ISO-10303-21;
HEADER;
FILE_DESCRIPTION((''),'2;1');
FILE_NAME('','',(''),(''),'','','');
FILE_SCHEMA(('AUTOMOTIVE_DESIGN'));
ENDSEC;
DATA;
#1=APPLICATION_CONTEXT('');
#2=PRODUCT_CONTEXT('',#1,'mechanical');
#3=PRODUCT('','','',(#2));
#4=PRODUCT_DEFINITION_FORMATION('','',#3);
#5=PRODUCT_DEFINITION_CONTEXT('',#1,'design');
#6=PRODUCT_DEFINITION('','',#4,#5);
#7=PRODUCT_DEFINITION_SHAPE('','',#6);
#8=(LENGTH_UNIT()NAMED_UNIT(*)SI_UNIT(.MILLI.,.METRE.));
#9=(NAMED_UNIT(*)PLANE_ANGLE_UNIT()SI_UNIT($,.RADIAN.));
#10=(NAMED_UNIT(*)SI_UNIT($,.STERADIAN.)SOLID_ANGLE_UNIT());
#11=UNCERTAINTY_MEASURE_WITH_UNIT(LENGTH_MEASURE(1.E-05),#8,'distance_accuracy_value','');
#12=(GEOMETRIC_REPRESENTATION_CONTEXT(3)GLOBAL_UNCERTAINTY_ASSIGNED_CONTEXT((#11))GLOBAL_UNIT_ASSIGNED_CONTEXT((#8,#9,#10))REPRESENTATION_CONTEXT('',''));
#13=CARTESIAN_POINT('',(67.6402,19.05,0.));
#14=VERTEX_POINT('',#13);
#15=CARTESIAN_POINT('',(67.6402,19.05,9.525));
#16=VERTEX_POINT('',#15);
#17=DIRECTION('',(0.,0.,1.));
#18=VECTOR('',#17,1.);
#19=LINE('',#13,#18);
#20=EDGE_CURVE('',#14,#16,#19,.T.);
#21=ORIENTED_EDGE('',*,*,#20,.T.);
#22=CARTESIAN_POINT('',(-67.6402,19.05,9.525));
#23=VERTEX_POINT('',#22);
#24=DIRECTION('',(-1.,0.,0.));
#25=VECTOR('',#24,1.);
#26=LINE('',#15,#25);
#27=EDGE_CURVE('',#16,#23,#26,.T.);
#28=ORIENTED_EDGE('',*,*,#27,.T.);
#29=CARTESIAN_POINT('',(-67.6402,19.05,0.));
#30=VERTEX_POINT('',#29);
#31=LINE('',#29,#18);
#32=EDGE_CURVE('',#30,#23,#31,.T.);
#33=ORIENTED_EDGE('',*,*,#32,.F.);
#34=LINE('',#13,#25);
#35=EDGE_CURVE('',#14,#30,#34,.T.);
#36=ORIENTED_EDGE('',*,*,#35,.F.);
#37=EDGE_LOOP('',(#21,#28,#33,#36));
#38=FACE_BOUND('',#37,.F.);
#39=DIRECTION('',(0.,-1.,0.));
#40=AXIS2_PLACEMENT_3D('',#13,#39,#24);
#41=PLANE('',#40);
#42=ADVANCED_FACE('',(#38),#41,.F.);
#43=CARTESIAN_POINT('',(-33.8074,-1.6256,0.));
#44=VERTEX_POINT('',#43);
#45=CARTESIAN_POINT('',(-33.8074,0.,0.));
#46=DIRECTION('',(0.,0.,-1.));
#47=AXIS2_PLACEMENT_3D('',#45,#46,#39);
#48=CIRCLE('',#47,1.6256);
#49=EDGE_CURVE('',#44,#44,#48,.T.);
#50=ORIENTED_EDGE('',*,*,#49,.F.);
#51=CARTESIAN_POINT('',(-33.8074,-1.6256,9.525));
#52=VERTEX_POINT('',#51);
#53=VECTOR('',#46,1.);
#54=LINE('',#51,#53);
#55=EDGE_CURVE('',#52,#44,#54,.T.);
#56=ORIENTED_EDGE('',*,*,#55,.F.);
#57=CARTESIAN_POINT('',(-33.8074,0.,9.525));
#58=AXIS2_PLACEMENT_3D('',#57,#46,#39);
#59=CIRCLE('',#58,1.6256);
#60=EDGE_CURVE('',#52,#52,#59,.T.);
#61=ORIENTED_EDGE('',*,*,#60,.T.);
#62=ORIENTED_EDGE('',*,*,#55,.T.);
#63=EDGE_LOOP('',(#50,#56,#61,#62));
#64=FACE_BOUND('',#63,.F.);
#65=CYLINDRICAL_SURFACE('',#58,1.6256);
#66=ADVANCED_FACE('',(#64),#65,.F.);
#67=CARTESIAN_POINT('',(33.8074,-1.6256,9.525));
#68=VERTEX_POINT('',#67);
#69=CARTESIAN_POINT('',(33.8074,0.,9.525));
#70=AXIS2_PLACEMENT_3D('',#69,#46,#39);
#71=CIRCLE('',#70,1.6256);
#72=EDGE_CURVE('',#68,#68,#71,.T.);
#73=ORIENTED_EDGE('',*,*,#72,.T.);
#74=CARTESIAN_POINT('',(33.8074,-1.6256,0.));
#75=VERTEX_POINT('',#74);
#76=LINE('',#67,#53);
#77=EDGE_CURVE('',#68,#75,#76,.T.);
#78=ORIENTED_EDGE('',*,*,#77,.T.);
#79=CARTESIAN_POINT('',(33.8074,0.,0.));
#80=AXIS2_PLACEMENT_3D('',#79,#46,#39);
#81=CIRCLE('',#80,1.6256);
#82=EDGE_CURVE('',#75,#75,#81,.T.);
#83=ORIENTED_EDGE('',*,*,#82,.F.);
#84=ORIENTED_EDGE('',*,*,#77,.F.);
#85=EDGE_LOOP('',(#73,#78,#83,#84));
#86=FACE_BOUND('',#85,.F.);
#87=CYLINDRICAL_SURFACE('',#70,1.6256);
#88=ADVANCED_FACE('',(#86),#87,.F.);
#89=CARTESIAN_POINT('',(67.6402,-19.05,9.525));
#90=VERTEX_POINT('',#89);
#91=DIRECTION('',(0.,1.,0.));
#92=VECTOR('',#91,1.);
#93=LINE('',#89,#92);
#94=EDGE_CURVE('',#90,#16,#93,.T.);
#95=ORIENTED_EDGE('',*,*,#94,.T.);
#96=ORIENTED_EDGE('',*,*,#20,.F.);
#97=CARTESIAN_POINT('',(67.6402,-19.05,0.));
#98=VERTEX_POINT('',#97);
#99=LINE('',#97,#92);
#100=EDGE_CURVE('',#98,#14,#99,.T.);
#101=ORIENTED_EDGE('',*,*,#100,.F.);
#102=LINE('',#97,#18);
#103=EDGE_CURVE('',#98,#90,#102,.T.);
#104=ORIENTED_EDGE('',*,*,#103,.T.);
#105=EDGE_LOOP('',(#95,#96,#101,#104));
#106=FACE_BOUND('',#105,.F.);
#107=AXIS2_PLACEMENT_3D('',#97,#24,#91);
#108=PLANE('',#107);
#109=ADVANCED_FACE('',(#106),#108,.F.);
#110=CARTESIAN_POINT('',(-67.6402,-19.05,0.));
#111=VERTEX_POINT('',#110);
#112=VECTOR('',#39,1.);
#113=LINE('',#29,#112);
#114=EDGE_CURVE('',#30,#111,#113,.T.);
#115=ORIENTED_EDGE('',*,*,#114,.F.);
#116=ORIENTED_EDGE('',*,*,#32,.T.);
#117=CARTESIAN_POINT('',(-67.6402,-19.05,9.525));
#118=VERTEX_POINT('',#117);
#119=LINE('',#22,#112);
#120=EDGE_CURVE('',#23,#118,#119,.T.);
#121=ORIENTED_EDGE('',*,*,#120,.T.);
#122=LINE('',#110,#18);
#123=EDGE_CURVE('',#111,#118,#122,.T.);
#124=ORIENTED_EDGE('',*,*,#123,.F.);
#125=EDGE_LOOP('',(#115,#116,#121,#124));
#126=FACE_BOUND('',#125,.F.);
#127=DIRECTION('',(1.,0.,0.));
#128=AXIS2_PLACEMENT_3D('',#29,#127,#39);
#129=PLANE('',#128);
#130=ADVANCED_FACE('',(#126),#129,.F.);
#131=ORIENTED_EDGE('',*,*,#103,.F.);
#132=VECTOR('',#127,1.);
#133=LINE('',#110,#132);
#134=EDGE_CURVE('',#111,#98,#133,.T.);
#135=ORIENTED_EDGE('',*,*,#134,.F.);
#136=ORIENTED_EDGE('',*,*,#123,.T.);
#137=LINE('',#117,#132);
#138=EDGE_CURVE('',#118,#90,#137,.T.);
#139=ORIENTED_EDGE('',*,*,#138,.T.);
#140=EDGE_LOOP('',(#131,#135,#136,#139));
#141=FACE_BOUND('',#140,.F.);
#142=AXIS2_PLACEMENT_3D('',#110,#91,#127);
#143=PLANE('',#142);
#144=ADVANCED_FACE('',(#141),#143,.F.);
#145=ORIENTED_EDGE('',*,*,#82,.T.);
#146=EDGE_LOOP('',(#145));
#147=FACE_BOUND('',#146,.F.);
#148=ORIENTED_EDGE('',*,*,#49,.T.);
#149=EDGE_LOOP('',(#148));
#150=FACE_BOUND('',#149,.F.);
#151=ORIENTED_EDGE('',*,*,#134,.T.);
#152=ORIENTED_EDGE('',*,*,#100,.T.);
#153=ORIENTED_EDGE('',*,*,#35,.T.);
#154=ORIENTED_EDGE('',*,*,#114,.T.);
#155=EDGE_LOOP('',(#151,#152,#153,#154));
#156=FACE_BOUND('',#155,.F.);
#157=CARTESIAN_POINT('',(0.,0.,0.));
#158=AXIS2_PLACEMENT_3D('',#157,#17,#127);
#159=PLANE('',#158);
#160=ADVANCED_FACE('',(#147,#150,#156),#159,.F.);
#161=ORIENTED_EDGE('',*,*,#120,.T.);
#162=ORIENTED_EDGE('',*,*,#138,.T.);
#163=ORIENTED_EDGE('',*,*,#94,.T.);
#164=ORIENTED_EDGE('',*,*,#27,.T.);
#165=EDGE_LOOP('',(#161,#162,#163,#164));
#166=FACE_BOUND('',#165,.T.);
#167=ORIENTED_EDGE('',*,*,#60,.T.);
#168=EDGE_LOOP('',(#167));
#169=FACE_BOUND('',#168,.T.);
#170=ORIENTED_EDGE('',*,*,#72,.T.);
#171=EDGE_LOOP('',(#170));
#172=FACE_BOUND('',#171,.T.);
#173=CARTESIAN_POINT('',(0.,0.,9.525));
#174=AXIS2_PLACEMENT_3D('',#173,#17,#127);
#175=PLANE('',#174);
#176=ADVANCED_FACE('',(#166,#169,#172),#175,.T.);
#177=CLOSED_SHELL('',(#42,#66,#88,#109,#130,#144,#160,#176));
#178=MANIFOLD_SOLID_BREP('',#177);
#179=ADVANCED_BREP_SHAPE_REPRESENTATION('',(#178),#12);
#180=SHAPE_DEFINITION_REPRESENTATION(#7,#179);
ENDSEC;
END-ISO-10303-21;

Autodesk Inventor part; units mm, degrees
ref_plane "YZ Plane" through (0, 0, 0) normal (1, 0, 0) x (0, 1, 0)
ref_plane "XZ Plane" through (0, 0, 0) normal (0, 1, 0) x (-1, 0, 0)
ref_plane "XY Plane" through (0, 0, 0) normal (0, 0, 1) x (1, 0, 0)
sketch "Sketch1" plane through (0, 0, 0) normal (0, 0, 1) x (1, 0, 0)
  line L0 (-67.6402, -19.05) -> (67.6402, -19.05)
  line L1 (67.6402, -19.05) -> (67.6402, 19.05)
  line L2 (67.6402, 19.05) -> (-67.6402, 19.05)
  line L3 (-67.6402, 19.05) -> (-67.6402, -19.05)
  line L4 (-67.6402, -19.05) -> (67.6402, 19.05) construction
  line L5 (67.6402, -19.05) -> (-67.6402, 19.05) construction
  point P0 (0, 0)
  dimension "d0" = 135.2804
  dimension "d1" = 38.1
extrude "Extrusion1" add sketch "Sketch1" along normal blind 9.525
sketch "Sketch2" plane through (0, 0, 9.525) normal (0, 0, 1) x (1, 0, 0)
  line L0 (-67.5894, 0) -> (67.7772, 0)
  line L1 (-67.6402, 19.05) -> (-67.6402, -19.05) projected
  line L2 (67.6402, -19.05) -> (67.6402, 19.05) projected
  line L3 (-67.6402, -19.05) -> (67.6402, -19.05) projected
  point P0 (0, 0)
  point P1 (-33.8074, 0)
  point P2 (33.8074, 0)
  dimension "d4" = 33.8328
  dimension "d5" = 33.8328
  dimension "d13" = 19.05
hole "Hole1" at (-33.8074, 0, 9.525) at (33.8074, 0, 9.525) direction (0, 0, -1) diameter 3.2512 end through all
properties part number "nmt_metalplate"
